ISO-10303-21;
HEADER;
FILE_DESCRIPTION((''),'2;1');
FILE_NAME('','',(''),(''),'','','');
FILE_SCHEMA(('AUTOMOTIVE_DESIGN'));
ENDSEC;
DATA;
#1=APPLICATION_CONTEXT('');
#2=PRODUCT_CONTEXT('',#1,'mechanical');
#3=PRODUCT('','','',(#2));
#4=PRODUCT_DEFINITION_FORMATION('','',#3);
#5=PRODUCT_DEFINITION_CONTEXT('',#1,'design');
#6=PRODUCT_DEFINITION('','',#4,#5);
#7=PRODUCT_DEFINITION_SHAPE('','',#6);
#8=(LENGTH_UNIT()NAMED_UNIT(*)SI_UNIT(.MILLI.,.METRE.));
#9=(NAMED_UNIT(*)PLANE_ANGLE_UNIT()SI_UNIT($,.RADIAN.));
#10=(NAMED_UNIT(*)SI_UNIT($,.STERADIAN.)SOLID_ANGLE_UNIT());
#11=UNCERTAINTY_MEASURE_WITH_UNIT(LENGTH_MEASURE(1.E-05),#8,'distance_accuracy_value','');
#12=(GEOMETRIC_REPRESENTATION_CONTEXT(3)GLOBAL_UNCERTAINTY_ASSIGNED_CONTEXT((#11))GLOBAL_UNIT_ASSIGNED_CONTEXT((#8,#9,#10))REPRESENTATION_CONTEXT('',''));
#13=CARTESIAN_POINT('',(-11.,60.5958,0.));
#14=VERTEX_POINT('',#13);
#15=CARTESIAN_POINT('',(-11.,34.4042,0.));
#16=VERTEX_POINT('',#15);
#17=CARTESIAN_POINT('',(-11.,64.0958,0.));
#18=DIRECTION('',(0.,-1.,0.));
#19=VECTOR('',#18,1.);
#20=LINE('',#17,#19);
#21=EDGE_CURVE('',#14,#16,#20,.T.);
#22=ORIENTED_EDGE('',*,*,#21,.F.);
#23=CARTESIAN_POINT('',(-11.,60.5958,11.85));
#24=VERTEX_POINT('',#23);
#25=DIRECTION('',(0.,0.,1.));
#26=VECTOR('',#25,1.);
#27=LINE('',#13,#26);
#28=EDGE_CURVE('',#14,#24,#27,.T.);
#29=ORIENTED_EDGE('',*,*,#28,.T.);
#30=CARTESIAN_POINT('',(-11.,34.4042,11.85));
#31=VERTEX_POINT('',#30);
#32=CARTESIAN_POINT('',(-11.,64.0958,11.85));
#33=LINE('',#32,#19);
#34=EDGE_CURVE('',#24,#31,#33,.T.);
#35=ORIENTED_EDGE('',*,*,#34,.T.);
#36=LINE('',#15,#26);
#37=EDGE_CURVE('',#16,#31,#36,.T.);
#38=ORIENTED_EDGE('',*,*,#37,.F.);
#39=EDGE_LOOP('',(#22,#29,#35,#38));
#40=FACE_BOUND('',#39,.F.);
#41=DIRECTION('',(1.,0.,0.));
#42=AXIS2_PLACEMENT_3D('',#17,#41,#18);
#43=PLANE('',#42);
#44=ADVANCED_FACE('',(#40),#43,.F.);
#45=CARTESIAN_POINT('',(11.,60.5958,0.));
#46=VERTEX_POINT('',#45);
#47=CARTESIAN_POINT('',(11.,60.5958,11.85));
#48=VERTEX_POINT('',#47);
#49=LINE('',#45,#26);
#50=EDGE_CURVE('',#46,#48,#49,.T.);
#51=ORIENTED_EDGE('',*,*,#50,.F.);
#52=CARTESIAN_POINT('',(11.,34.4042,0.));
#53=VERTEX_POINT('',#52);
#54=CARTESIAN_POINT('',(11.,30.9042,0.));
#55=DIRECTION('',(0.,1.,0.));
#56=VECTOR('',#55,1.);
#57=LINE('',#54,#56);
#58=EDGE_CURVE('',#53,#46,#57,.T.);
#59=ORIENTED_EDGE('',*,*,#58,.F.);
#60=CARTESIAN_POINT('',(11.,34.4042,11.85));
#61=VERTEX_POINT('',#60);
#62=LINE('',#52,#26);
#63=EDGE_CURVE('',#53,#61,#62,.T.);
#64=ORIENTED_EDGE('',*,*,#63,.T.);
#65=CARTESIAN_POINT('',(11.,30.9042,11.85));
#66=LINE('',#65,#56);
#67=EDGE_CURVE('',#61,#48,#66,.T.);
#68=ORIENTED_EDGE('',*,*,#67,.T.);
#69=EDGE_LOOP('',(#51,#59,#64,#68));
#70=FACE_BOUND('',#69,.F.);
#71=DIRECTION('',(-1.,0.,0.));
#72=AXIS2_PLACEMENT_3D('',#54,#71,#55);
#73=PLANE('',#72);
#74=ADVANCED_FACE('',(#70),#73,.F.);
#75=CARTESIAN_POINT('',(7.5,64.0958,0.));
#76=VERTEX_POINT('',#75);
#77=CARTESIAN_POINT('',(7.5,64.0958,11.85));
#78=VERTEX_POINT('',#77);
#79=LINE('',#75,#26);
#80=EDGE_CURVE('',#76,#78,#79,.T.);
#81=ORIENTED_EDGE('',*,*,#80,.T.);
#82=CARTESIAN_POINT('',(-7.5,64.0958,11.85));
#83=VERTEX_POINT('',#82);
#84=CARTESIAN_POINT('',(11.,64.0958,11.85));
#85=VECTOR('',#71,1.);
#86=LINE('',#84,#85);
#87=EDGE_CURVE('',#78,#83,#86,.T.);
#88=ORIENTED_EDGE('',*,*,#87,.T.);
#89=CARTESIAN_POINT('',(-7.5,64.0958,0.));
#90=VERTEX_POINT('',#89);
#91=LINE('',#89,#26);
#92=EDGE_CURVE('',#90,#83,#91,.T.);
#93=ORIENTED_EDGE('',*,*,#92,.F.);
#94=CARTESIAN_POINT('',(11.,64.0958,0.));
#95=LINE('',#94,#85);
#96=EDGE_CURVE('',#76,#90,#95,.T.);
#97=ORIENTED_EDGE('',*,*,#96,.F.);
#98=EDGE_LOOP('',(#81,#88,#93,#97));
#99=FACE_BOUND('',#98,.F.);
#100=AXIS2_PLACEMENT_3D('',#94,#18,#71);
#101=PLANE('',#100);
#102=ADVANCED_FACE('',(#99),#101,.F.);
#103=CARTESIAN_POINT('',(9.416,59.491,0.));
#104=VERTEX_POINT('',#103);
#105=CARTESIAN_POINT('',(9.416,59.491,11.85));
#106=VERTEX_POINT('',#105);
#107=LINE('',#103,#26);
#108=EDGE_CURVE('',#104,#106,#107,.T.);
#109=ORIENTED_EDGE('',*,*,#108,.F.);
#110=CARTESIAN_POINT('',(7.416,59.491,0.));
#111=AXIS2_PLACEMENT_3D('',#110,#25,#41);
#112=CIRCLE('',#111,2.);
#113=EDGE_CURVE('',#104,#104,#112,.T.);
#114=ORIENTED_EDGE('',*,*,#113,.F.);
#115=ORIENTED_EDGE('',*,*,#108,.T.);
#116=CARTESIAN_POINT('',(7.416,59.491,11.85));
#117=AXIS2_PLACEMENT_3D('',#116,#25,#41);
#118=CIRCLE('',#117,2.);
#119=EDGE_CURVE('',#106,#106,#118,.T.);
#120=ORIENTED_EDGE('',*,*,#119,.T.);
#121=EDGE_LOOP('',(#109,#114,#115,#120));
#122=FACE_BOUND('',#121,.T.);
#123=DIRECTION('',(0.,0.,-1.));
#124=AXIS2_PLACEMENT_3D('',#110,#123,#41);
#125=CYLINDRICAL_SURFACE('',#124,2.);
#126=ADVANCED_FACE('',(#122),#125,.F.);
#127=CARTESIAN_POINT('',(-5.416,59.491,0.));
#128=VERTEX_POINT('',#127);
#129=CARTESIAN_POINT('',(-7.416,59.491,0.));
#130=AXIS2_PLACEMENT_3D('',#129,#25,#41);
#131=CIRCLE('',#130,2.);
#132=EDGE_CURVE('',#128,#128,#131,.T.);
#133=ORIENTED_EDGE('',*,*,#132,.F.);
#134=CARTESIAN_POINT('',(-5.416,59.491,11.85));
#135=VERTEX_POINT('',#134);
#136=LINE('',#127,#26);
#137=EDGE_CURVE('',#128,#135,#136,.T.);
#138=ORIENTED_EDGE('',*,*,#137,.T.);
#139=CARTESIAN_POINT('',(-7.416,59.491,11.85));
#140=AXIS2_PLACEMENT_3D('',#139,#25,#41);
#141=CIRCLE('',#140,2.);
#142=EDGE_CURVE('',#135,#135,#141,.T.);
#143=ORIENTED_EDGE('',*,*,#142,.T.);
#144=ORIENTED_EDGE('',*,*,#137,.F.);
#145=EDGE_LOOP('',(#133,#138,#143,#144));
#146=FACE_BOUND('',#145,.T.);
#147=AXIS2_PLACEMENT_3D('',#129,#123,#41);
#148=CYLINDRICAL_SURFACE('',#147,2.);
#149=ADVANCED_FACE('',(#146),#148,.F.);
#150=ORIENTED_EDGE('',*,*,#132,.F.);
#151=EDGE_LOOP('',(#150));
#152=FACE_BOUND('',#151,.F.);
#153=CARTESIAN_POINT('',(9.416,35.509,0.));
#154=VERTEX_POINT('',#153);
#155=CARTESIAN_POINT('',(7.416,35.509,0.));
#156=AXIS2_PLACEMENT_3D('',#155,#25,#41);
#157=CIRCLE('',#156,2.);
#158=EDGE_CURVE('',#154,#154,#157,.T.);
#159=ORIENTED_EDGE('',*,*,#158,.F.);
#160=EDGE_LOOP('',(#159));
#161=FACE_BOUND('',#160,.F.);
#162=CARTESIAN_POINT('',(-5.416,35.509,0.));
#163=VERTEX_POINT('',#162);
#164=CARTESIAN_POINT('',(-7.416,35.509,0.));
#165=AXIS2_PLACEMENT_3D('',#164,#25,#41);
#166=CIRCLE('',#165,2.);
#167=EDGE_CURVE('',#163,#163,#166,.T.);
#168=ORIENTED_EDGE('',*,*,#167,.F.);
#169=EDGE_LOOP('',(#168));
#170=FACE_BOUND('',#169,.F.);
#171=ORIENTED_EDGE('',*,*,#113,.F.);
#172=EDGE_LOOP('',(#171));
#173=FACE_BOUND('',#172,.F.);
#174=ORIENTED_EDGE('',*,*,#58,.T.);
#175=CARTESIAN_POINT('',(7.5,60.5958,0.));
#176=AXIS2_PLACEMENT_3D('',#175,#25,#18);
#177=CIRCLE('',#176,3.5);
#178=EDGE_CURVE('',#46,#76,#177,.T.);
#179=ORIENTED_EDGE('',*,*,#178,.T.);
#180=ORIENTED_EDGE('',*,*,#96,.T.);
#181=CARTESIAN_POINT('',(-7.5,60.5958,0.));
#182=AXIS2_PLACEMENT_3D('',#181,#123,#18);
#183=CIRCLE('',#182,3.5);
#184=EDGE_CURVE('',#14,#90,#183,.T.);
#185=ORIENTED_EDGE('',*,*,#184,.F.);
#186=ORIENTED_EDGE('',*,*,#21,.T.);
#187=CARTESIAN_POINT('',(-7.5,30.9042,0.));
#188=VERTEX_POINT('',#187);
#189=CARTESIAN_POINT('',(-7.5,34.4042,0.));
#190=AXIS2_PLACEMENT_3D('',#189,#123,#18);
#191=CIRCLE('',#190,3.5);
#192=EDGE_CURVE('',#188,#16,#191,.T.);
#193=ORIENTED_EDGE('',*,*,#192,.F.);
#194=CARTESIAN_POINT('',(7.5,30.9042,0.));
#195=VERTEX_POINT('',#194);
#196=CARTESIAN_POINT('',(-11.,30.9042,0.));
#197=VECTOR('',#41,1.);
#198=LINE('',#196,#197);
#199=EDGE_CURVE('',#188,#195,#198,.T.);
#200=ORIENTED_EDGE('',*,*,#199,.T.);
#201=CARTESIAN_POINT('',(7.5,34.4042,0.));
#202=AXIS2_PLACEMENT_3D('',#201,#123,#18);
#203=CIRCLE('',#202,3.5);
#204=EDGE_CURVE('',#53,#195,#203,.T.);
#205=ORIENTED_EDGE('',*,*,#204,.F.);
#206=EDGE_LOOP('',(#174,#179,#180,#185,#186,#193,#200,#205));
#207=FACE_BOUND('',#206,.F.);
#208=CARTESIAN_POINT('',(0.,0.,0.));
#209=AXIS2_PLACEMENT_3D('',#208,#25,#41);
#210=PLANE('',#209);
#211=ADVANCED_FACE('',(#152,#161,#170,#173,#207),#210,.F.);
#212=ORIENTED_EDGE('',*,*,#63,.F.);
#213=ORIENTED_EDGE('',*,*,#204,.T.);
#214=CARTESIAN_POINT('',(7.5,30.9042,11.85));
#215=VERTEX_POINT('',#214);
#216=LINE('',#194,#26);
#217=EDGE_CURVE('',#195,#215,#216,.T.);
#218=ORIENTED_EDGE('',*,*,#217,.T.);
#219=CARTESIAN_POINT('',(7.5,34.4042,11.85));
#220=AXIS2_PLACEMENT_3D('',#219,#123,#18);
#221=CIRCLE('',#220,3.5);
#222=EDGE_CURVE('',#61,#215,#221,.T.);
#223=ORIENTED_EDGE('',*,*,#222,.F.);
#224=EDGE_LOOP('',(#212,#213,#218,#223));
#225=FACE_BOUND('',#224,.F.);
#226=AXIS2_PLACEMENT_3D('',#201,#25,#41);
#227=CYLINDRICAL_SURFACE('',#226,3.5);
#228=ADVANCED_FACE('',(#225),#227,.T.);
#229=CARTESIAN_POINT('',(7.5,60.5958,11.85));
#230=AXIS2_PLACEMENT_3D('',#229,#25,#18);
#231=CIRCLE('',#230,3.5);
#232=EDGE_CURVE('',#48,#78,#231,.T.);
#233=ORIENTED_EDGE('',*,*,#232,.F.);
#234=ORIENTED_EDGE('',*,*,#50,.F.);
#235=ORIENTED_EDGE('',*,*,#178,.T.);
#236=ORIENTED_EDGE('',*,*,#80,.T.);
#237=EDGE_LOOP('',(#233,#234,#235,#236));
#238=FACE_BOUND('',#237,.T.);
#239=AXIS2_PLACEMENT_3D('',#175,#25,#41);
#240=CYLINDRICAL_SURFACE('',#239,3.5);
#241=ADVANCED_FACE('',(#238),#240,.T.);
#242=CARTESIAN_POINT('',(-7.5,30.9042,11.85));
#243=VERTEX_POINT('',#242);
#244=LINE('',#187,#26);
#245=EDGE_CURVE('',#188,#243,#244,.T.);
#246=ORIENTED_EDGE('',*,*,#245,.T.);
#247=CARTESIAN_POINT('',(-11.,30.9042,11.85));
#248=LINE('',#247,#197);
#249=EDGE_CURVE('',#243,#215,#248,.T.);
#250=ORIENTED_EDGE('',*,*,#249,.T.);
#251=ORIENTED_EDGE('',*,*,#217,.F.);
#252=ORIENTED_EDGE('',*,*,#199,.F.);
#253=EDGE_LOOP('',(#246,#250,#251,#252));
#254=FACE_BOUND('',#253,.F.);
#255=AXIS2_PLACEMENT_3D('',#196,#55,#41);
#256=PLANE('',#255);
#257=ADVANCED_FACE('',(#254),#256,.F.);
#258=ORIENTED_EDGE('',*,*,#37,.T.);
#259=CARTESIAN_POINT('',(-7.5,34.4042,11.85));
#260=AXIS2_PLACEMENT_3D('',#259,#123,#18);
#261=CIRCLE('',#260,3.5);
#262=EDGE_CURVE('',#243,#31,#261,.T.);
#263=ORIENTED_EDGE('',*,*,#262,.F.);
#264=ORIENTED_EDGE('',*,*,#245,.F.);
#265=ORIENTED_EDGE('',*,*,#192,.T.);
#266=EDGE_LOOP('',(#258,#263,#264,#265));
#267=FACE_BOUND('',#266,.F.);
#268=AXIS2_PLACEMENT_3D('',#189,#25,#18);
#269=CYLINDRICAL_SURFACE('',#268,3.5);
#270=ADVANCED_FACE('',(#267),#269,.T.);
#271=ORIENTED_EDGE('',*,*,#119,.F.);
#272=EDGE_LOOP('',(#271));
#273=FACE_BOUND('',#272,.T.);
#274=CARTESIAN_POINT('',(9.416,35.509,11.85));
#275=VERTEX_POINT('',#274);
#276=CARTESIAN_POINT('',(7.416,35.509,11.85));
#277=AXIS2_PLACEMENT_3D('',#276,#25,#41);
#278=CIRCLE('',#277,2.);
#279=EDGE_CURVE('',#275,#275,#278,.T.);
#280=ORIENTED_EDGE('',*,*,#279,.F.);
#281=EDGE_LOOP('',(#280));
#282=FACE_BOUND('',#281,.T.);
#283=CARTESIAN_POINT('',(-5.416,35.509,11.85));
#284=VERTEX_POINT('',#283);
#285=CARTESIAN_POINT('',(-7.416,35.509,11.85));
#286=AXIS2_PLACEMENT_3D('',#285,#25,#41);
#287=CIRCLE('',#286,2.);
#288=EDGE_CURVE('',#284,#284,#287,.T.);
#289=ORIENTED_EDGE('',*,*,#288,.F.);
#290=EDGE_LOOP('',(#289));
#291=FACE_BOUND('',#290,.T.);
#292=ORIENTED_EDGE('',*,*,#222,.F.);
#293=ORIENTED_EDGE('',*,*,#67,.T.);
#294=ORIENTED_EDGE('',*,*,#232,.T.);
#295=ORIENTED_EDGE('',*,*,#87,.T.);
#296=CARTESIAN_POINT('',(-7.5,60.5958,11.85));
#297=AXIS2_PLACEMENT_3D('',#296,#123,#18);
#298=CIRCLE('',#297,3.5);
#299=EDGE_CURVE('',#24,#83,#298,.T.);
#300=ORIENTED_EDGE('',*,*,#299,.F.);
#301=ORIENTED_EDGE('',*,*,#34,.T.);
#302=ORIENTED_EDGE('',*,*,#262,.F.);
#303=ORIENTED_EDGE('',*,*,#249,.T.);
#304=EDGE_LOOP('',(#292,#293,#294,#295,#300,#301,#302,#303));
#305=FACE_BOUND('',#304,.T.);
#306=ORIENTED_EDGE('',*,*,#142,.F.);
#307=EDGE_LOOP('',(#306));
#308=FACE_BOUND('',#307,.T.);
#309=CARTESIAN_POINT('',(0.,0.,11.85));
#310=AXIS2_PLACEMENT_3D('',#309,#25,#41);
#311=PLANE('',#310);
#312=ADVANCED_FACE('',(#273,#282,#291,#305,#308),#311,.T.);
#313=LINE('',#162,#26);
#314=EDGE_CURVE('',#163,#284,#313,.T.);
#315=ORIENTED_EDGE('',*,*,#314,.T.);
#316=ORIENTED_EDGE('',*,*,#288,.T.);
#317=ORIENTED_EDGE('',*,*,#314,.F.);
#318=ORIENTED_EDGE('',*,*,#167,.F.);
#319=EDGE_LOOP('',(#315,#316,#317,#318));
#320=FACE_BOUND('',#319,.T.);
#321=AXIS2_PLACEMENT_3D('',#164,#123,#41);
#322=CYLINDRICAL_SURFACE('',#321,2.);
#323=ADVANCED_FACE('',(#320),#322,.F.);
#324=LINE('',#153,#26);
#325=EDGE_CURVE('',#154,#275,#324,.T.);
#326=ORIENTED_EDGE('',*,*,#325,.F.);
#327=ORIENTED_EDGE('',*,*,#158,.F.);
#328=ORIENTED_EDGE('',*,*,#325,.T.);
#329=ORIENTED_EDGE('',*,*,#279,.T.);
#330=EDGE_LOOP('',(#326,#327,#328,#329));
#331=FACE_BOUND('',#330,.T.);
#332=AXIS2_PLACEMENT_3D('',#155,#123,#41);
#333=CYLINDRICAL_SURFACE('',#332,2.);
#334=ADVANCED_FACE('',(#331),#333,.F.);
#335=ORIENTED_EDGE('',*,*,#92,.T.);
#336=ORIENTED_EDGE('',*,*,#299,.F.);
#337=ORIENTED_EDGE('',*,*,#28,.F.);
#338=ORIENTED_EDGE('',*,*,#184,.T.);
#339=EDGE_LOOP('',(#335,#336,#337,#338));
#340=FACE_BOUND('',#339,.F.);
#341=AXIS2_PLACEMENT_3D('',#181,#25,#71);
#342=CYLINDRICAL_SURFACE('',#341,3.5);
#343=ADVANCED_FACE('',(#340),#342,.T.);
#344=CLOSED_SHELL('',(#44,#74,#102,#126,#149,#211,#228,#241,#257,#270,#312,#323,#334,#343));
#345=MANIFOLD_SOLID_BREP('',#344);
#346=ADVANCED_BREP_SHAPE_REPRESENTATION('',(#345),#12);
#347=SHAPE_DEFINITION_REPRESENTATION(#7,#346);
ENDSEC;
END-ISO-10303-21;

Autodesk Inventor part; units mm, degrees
ref_plane "YZ Plane" through (0, 0, 0) normal (1, 0, 0) x (0, 1, 0)
ref_plane "XZ Plane" through (0, 0, 0) normal (0, 1, 0) x (-1, 0, 0)
ref_plane "XY Plane" through (0, 0, 0) normal (0, 0, 1) x (1, 0, 0)
ref_plane "РабПлоскость1" through (0, 0, 0) normal (0, 0, 1) x (1, 0, 0)
sketch "Эскиз1" plane through (0, 0, 0) normal (0, 0, 1) x (1, 0, 0)
  circle A0 centre (7.416, 59.491) radius 2 projected
  circle A1 centre (7.416, 35.509) radius 2 projected
  circle A2 centre (-7.416, 35.509) radius 2 projected
  circle A3 centre (-7.416, 59.491) radius 2 projected
  line L0 (11, 64.0958) -> (-11, 64.0958)
  line L1 (-11, 64.0958) -> (-11, 30.9042)
  line L2 (-11, 30.9042) -> (11, 30.9042)
  line L3 (11, 30.9042) -> (11, 64.0958)
  line L4 (11, 64.0958) -> (-11, 30.9042) construction
  line L5 (7.416, 59.491) -> (-7.416, 35.509) construction
  arc A4 (-24.6917, 37.0776) -> (24.6917, 37.0776) centre (0, 73.5704) ccw projected
  point P0 (0, 0)
  point P1 (0, 47.5)
  dimension "d0" = 22
extrude "Выдавливание1" add sketch "Эскиз1" along normal blind 11.85 contours L3 L2 L1 L0
fillet "Сопряжение1" radius 3.5 4 edges at (-11, 30.9042, 5.925) (11, 30.9042, 5.925) (11, 64.0958, 5.925) (-11, 64.0958, 5.925)
properties part number "Подставка под солноид"
